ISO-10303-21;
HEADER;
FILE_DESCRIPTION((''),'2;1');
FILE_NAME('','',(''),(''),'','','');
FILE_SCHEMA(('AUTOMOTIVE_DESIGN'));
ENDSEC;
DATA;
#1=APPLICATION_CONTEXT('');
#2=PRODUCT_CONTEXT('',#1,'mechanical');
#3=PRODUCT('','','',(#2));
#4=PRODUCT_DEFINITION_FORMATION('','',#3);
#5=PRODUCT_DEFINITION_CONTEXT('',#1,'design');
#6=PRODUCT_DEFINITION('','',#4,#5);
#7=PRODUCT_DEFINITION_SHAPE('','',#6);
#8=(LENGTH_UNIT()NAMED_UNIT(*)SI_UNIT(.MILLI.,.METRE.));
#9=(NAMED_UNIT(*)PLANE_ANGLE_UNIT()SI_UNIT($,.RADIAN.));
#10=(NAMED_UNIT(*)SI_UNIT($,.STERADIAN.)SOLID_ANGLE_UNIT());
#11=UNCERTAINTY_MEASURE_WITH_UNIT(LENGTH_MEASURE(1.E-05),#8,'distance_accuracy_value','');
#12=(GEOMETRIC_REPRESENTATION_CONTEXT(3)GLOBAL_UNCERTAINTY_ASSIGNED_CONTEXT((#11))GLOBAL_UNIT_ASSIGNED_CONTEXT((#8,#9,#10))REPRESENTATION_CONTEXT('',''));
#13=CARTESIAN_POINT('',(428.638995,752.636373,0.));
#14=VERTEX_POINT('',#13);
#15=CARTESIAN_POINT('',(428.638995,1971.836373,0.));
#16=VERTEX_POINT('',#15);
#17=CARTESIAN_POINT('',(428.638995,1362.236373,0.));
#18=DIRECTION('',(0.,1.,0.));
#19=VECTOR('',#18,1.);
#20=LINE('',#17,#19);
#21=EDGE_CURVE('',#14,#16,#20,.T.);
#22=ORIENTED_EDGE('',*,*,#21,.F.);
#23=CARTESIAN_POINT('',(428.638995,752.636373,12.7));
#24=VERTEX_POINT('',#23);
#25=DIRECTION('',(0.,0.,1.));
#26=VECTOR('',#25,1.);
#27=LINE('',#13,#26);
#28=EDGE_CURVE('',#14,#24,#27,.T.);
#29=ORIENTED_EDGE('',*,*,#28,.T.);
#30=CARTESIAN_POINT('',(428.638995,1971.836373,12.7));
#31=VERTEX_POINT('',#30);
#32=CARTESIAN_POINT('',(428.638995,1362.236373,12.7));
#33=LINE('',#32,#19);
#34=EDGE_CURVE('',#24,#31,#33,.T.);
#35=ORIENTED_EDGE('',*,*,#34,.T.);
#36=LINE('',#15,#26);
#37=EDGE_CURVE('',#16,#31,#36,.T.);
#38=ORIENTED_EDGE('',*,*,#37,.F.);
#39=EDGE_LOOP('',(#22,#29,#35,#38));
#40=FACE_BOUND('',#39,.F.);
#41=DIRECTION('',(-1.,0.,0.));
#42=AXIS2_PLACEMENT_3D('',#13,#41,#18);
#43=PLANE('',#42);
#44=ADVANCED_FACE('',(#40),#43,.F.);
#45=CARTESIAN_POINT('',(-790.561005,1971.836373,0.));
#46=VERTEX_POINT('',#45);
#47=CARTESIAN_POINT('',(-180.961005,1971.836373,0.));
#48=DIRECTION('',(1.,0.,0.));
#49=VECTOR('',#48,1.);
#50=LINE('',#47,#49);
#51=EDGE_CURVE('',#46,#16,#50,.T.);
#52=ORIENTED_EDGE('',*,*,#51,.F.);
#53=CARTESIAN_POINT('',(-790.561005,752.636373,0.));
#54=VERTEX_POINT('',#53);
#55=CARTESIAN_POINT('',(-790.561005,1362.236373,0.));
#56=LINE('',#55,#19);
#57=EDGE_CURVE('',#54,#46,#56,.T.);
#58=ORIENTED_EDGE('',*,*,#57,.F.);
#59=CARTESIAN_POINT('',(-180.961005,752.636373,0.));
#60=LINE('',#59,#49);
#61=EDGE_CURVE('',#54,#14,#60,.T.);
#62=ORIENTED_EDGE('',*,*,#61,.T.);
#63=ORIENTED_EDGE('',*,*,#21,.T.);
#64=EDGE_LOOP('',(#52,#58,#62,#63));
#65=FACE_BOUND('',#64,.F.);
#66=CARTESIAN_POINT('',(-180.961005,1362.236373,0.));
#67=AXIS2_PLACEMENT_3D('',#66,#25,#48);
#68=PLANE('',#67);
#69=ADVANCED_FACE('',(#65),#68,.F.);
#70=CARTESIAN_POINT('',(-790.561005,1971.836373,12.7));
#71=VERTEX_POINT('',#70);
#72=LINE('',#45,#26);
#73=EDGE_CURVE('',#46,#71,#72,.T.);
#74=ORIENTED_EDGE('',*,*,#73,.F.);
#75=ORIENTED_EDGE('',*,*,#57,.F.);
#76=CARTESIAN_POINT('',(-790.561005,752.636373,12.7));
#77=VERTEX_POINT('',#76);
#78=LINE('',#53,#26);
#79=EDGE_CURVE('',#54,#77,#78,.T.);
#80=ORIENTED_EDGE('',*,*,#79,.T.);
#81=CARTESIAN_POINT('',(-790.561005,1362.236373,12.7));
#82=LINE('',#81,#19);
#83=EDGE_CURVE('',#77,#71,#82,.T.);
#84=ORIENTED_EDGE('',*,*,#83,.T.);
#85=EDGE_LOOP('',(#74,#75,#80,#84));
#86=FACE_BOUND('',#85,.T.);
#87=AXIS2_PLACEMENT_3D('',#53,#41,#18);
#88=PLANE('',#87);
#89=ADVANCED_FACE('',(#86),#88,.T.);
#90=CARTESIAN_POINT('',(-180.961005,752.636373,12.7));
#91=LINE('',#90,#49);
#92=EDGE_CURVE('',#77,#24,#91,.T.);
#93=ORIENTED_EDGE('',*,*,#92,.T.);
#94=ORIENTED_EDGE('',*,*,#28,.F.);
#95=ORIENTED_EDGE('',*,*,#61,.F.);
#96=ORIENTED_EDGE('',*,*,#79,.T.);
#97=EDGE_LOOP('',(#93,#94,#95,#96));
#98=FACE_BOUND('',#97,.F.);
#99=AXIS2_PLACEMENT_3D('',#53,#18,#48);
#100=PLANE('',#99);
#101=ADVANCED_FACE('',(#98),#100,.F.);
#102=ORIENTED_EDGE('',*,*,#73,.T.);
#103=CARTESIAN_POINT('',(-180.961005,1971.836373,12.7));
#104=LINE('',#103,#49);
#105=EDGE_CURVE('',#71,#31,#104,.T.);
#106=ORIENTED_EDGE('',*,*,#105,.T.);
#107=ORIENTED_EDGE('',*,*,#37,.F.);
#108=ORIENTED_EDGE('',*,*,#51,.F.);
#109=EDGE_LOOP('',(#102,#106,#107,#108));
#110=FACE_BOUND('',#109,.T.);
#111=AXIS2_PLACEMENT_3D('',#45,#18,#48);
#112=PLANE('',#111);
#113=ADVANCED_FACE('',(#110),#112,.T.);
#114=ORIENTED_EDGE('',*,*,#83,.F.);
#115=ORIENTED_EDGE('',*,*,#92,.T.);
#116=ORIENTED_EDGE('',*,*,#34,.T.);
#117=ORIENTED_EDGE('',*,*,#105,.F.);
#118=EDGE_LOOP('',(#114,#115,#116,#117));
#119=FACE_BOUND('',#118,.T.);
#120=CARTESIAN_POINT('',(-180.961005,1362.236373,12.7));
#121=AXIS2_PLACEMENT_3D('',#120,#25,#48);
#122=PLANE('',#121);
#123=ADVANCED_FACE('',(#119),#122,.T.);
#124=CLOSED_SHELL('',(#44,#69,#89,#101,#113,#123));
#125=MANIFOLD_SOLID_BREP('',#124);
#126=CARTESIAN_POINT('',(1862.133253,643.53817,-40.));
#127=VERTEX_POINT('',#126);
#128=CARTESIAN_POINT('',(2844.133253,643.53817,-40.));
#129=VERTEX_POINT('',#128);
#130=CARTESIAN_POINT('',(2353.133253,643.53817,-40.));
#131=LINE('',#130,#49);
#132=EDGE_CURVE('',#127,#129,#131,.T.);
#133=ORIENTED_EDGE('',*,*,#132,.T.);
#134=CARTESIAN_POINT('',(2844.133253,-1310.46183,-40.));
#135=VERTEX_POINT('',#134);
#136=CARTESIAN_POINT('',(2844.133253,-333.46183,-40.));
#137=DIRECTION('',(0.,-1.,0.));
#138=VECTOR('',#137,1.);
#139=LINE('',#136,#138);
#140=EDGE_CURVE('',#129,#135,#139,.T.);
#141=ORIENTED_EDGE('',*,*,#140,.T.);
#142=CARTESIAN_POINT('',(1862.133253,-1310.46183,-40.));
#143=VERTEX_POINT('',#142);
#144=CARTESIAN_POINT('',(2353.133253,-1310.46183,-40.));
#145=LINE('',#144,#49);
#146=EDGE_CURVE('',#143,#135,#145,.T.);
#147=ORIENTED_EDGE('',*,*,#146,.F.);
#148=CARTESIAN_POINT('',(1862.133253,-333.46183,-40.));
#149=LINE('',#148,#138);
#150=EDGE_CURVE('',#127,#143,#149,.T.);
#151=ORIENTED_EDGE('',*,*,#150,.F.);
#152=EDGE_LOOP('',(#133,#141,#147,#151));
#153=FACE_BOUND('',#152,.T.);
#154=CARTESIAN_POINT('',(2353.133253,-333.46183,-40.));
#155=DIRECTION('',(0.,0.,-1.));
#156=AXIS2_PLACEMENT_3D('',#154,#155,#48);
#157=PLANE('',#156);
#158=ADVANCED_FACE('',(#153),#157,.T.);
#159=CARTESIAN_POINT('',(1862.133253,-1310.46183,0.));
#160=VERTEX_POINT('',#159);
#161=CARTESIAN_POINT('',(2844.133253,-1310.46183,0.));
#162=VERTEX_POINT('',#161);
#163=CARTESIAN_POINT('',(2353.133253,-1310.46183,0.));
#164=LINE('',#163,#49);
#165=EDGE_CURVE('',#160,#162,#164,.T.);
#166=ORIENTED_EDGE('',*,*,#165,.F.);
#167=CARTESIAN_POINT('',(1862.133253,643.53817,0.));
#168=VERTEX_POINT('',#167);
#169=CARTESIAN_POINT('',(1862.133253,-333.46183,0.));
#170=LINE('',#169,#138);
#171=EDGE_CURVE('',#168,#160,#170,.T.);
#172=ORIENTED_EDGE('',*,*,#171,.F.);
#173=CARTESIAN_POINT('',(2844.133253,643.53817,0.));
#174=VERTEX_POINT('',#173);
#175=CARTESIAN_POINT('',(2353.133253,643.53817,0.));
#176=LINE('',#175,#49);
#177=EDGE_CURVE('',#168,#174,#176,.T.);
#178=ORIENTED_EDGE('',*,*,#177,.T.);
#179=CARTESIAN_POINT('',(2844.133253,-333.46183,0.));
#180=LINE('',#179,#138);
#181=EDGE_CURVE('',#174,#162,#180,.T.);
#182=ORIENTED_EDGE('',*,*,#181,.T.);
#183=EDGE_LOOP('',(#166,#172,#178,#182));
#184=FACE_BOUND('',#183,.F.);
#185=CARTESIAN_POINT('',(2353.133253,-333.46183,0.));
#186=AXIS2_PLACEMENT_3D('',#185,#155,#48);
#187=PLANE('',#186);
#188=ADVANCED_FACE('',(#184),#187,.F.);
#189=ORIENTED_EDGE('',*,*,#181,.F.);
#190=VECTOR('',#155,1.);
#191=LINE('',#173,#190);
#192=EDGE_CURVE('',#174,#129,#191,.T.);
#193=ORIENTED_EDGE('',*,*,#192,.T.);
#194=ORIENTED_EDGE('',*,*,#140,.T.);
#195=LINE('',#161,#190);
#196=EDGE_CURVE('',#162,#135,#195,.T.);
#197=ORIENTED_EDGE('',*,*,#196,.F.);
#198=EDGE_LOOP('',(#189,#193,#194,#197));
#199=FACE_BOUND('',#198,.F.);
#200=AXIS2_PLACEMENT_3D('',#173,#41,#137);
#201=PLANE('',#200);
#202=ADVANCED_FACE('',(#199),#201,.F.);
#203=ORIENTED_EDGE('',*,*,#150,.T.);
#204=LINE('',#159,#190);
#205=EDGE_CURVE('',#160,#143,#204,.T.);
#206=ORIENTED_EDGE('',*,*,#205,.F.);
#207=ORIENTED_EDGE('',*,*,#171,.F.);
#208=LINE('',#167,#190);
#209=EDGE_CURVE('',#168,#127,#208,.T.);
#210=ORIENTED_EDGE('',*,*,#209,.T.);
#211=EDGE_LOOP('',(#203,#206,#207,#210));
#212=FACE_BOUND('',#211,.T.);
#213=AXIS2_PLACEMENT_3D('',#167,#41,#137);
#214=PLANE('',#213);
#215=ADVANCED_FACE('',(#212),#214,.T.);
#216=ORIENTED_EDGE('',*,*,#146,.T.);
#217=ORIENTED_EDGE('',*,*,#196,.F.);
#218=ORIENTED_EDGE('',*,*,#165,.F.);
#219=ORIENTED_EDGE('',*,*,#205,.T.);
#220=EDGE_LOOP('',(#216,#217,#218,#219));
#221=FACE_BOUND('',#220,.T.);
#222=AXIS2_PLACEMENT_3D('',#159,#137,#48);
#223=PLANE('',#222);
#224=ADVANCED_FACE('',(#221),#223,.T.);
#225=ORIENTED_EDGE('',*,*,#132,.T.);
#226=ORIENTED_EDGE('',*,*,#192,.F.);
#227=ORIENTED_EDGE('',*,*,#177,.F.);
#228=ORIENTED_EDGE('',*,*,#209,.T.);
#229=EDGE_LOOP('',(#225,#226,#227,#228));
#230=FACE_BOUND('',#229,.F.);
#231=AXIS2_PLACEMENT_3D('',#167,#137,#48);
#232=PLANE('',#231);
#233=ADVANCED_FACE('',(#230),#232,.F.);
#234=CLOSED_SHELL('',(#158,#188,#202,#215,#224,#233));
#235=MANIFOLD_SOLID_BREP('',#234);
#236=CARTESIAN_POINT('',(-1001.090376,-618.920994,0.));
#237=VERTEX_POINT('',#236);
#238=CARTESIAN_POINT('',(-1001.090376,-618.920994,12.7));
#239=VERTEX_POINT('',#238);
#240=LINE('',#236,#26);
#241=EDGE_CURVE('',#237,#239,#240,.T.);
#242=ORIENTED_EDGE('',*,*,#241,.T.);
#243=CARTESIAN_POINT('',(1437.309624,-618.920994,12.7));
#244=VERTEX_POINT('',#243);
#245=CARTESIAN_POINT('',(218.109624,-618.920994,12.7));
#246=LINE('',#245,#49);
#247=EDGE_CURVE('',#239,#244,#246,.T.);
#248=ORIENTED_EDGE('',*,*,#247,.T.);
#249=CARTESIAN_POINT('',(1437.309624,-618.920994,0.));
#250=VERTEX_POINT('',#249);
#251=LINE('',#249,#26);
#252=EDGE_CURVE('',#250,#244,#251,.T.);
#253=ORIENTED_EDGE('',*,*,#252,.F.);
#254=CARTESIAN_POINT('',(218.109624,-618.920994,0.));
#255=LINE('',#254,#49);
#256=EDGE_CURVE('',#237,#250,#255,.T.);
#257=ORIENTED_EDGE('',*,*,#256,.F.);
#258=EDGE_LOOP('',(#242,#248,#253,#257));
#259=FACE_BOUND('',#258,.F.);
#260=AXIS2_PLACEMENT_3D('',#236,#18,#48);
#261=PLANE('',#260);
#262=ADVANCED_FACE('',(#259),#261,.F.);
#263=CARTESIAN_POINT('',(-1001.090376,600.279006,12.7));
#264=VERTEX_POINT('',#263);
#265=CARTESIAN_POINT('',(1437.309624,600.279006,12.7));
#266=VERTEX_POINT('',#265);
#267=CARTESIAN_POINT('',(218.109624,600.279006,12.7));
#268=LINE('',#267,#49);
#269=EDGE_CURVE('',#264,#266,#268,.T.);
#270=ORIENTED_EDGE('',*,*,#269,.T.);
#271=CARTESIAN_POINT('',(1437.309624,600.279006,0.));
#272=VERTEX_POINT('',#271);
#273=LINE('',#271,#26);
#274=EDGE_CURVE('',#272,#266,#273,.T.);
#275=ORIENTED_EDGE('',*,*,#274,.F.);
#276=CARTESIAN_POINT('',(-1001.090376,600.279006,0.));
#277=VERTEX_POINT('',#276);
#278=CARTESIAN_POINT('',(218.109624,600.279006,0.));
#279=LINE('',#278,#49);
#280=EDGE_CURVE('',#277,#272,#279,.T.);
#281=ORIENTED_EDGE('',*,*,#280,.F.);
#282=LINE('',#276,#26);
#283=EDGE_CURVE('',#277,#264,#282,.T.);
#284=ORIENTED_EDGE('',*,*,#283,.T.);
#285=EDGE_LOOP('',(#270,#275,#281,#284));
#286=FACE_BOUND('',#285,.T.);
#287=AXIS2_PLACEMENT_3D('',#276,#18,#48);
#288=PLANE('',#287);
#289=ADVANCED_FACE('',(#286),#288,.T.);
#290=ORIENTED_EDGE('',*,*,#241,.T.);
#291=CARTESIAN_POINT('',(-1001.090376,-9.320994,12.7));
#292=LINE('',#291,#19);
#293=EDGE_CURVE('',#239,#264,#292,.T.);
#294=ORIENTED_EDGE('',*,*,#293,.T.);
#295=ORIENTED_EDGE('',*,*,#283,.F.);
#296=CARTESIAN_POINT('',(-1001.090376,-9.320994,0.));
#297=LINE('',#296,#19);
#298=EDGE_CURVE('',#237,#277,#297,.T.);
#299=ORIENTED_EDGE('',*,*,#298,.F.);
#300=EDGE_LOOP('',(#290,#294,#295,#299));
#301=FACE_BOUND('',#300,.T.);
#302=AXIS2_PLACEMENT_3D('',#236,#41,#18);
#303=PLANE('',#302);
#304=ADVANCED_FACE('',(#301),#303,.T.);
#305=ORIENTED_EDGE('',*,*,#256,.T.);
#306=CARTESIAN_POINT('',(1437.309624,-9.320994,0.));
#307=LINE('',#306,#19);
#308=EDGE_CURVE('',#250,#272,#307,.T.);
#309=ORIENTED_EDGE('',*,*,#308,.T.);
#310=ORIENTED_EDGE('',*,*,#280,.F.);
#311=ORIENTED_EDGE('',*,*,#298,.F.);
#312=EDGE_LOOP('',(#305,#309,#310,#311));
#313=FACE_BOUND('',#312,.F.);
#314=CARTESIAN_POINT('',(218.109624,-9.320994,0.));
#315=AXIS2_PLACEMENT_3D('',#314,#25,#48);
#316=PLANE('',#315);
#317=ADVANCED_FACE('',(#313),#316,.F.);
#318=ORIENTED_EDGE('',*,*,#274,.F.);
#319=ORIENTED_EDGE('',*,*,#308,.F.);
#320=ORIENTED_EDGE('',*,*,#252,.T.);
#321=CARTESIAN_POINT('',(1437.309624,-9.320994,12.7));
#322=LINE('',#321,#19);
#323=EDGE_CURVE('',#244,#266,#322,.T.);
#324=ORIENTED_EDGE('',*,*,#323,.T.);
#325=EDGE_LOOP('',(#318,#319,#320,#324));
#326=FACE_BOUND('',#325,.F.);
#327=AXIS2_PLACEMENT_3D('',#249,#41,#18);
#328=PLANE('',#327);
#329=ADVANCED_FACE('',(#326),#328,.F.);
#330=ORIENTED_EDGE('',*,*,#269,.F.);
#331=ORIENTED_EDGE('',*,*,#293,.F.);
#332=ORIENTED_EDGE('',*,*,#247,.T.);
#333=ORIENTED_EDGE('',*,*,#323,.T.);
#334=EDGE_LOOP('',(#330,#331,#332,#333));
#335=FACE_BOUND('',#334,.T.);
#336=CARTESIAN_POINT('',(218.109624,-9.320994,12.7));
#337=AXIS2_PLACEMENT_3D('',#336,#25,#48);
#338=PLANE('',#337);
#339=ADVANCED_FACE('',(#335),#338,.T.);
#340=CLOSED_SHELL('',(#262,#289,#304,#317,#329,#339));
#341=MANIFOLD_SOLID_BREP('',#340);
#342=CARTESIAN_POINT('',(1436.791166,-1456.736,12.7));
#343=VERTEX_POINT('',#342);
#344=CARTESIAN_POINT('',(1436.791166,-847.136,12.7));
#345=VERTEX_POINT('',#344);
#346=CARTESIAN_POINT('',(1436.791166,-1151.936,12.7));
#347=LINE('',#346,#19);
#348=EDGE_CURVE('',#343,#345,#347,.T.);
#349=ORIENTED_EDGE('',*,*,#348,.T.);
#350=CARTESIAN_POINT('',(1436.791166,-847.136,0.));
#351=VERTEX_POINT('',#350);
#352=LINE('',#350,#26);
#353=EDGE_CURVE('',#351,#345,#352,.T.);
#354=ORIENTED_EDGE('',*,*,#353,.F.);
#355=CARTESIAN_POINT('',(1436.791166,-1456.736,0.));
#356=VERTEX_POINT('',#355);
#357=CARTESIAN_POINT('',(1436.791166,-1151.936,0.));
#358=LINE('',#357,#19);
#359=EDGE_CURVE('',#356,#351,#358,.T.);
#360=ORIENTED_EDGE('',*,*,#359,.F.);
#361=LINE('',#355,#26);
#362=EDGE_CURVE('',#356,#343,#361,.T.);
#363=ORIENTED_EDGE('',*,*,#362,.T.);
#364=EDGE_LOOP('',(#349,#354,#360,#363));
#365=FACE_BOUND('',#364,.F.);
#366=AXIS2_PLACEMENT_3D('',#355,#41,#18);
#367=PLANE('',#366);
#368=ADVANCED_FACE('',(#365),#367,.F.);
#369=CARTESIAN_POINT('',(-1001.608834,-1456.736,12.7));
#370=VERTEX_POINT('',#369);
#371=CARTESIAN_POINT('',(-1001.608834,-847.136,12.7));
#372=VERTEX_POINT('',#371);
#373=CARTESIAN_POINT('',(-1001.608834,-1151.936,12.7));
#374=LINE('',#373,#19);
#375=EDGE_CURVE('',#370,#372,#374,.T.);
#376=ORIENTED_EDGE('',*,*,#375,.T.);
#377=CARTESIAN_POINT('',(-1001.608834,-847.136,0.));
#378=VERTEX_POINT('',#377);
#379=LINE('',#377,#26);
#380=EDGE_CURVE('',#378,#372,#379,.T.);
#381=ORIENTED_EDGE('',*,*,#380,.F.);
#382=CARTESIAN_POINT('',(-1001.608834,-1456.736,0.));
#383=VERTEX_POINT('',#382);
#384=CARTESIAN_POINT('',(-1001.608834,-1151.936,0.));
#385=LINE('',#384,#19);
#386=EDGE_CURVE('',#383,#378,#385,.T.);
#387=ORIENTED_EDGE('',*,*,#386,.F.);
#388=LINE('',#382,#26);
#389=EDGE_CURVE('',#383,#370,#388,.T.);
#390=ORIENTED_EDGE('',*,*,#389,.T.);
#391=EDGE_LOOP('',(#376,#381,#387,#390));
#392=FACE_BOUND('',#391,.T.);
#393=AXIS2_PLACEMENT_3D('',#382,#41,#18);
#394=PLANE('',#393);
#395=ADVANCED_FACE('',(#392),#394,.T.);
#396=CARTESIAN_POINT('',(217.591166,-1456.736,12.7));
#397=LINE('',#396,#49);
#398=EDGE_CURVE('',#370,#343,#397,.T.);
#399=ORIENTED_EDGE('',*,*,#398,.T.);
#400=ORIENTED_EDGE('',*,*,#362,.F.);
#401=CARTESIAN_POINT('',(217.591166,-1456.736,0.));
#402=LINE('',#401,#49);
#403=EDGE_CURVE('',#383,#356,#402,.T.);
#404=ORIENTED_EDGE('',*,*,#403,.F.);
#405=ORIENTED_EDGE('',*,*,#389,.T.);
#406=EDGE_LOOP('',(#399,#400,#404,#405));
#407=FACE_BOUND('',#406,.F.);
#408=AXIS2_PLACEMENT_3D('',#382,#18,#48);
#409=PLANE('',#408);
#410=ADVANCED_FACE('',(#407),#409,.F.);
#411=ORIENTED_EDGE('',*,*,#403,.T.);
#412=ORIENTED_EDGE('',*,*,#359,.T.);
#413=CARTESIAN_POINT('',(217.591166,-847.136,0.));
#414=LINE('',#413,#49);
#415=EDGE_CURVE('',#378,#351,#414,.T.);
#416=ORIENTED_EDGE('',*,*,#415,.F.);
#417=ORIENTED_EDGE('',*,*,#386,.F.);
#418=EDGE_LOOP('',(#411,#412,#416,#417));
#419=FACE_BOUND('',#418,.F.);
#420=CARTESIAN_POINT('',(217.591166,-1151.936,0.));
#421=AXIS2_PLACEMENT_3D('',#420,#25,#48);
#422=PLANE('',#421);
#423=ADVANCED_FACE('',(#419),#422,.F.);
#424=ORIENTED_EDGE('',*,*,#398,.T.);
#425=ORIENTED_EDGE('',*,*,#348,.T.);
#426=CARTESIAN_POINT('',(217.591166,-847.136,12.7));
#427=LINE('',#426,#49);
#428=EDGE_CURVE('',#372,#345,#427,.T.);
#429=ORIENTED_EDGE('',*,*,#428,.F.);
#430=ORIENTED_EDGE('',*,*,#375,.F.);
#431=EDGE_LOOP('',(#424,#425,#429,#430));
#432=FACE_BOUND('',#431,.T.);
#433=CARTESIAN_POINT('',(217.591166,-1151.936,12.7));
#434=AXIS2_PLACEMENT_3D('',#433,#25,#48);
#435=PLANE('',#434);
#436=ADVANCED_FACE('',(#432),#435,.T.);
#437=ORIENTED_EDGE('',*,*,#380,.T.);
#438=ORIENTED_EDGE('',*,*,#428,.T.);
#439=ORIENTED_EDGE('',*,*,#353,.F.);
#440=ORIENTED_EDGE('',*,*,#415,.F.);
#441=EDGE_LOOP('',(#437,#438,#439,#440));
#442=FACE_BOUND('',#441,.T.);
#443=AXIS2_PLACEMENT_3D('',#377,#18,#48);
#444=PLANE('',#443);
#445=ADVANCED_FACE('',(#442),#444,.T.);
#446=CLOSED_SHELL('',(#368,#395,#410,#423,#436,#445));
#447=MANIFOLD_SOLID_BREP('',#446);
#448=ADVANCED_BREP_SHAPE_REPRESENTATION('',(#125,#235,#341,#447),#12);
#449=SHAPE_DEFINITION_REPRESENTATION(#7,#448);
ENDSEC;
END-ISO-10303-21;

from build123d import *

# Parameters (mm, degrees)
F0_W     = 2438.4
F0_H     = 1219.2
F0_W_2   = 1219.2
F1_DEPTH = 12.7
F2_W     = 2438.4
F2_H     = 609.6
F3_DEPTH = 12.7
F4_W     = 982
F4_H     = 1954
F5_DEPTH = 40


with BuildPart() as f1:
    # F0 (on Top) → F1 (new body)
    with BuildSketch(Plane.XY):
        with Locations((218.109624, -9.320994)):
            Rectangle(F0_W, F0_H)
        with Locations((-180.961005, 1362.236373)):
            Rectangle(F0_W_2, F0_H)
    extrude(amount=F1_DEPTH)


with BuildPart() as f3:
    # F2 (on Top) → F3 (new body)
    with BuildSketch(Plane.XY):
        with Locations((217.591166, -1151.936)):
            Rectangle(F2_W, F2_H)
    extrude(amount=F3_DEPTH)


with BuildPart() as f5:
    # F4 (on face) → F5 (new body)
    with BuildSketch(Plane(origin=(0, 0, 0), x_dir=(1, 0, 0), z_dir=(0, 0, -1))):
        with Locations((2353.133253, 333.46183)):
            Rectangle(F4_W, F4_H)
    extrude(amount=F5_DEPTH)


solid = Compound([f1.part, f3.part, f5.part])
